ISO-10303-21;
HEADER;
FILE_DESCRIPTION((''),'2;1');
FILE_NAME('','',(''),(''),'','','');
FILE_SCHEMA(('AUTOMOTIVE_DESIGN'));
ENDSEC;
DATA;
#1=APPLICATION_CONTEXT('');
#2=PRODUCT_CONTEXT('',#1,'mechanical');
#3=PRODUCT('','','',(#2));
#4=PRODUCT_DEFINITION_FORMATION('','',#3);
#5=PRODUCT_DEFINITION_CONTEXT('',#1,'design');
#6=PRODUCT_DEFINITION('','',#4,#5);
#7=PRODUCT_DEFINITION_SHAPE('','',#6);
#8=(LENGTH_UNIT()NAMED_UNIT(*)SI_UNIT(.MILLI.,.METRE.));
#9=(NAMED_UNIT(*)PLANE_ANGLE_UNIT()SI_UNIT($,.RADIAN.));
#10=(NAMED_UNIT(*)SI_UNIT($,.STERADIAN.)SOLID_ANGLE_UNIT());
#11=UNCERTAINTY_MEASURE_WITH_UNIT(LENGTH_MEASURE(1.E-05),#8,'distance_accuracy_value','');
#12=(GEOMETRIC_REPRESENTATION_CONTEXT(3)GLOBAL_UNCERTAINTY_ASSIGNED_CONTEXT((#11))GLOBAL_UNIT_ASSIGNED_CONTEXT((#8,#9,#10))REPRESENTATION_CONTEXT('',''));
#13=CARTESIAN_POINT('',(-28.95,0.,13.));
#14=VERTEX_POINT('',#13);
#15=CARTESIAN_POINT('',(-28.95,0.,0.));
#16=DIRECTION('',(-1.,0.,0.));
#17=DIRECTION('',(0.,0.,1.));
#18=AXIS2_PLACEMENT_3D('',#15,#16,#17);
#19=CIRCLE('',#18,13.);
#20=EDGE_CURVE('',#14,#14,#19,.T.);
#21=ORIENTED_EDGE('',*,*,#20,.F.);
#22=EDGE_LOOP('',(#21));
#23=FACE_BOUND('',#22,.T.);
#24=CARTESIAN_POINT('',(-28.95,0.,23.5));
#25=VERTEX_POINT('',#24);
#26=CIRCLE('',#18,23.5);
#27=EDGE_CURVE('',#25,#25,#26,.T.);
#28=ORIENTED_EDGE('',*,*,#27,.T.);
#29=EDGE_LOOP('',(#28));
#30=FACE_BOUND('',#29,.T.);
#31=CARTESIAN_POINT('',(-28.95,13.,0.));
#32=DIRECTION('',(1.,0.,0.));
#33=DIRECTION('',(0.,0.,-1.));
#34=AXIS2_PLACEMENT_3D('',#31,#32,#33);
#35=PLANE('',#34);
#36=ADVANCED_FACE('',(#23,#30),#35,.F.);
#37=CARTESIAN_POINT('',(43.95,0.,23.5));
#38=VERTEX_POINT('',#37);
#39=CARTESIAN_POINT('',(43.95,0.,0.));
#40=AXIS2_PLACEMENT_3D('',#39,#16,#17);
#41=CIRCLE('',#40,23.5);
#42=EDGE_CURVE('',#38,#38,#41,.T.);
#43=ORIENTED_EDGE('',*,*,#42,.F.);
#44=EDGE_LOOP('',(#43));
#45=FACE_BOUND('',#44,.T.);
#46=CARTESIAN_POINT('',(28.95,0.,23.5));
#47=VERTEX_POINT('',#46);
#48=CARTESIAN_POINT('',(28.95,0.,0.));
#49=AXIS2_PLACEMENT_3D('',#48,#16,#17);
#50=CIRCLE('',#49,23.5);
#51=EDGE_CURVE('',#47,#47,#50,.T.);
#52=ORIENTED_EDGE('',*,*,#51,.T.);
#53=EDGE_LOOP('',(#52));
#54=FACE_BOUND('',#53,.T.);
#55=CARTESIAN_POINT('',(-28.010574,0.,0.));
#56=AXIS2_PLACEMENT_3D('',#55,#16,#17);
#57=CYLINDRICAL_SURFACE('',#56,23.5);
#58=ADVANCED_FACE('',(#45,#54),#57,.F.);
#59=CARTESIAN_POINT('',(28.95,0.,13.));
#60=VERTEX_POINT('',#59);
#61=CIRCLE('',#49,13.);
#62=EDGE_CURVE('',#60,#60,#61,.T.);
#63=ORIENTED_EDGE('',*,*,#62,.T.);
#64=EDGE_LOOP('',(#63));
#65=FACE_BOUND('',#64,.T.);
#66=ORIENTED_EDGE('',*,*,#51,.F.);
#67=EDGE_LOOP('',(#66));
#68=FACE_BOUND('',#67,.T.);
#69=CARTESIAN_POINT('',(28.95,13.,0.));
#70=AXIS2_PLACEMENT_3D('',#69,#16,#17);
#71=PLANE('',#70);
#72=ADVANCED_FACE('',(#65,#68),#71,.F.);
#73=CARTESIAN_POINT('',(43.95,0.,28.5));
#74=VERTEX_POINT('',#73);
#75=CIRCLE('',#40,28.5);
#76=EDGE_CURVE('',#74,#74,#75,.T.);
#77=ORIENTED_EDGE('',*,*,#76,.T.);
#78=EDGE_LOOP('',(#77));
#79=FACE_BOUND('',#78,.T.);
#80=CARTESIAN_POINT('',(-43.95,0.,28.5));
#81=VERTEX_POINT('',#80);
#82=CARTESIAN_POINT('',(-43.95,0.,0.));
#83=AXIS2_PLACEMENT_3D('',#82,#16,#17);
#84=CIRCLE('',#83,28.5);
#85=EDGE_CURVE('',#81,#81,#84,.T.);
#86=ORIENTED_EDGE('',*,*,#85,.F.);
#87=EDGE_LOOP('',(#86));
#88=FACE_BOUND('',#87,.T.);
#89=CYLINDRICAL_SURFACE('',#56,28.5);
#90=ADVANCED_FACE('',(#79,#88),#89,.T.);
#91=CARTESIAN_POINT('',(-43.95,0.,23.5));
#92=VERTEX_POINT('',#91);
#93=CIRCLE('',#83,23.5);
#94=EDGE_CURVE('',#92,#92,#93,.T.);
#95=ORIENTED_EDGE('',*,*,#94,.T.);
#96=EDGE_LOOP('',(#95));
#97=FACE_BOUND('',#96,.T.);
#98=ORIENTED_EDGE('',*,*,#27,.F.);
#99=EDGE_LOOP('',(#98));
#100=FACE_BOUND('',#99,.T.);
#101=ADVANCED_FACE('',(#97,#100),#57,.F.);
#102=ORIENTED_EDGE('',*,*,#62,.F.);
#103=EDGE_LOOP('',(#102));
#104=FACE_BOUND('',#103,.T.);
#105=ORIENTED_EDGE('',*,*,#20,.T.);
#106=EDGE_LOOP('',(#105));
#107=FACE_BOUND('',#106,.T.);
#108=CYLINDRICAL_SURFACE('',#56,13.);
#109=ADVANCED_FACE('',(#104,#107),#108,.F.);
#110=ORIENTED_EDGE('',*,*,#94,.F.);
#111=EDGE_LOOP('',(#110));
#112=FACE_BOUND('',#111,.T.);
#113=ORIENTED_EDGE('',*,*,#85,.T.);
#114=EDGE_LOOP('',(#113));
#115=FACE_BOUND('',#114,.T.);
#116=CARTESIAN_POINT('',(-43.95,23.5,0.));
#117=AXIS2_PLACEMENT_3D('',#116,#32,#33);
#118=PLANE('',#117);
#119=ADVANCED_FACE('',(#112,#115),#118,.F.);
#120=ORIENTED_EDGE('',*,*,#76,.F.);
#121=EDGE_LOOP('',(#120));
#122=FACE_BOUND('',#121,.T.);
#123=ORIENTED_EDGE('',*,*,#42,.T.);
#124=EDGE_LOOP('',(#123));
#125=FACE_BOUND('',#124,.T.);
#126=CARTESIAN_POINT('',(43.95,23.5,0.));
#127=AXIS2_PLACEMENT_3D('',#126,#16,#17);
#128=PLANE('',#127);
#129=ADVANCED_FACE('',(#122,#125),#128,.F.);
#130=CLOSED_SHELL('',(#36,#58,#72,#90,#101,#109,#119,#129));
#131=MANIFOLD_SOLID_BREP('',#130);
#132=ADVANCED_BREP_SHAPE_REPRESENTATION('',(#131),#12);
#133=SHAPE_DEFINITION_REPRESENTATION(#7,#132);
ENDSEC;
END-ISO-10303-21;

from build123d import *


with BuildPart() as part:
    # Esquisse1 → Révolution1 (revolve)
    with BuildSketch(Plane.XY, mode=Mode.PRIVATE) as r_volution1_sk:
        Polygon((28.95, 13), (28.95, 23.5), (43.95, 23.5), (43.95, 28.5), (-43.95, 28.5), (-43.95, 23.5), (-28.95, 23.5), (-28.95, 13), align=None)
    revolve(r_volution1_sk.sketch.rotate(Axis((-28.010573724, 0, 0), (1, 0, 0)), 90), axis=Axis((-28.010573724, 0, 0), (1, 0, 0)))  # turned: the seam where the file's is


solid = part.part
